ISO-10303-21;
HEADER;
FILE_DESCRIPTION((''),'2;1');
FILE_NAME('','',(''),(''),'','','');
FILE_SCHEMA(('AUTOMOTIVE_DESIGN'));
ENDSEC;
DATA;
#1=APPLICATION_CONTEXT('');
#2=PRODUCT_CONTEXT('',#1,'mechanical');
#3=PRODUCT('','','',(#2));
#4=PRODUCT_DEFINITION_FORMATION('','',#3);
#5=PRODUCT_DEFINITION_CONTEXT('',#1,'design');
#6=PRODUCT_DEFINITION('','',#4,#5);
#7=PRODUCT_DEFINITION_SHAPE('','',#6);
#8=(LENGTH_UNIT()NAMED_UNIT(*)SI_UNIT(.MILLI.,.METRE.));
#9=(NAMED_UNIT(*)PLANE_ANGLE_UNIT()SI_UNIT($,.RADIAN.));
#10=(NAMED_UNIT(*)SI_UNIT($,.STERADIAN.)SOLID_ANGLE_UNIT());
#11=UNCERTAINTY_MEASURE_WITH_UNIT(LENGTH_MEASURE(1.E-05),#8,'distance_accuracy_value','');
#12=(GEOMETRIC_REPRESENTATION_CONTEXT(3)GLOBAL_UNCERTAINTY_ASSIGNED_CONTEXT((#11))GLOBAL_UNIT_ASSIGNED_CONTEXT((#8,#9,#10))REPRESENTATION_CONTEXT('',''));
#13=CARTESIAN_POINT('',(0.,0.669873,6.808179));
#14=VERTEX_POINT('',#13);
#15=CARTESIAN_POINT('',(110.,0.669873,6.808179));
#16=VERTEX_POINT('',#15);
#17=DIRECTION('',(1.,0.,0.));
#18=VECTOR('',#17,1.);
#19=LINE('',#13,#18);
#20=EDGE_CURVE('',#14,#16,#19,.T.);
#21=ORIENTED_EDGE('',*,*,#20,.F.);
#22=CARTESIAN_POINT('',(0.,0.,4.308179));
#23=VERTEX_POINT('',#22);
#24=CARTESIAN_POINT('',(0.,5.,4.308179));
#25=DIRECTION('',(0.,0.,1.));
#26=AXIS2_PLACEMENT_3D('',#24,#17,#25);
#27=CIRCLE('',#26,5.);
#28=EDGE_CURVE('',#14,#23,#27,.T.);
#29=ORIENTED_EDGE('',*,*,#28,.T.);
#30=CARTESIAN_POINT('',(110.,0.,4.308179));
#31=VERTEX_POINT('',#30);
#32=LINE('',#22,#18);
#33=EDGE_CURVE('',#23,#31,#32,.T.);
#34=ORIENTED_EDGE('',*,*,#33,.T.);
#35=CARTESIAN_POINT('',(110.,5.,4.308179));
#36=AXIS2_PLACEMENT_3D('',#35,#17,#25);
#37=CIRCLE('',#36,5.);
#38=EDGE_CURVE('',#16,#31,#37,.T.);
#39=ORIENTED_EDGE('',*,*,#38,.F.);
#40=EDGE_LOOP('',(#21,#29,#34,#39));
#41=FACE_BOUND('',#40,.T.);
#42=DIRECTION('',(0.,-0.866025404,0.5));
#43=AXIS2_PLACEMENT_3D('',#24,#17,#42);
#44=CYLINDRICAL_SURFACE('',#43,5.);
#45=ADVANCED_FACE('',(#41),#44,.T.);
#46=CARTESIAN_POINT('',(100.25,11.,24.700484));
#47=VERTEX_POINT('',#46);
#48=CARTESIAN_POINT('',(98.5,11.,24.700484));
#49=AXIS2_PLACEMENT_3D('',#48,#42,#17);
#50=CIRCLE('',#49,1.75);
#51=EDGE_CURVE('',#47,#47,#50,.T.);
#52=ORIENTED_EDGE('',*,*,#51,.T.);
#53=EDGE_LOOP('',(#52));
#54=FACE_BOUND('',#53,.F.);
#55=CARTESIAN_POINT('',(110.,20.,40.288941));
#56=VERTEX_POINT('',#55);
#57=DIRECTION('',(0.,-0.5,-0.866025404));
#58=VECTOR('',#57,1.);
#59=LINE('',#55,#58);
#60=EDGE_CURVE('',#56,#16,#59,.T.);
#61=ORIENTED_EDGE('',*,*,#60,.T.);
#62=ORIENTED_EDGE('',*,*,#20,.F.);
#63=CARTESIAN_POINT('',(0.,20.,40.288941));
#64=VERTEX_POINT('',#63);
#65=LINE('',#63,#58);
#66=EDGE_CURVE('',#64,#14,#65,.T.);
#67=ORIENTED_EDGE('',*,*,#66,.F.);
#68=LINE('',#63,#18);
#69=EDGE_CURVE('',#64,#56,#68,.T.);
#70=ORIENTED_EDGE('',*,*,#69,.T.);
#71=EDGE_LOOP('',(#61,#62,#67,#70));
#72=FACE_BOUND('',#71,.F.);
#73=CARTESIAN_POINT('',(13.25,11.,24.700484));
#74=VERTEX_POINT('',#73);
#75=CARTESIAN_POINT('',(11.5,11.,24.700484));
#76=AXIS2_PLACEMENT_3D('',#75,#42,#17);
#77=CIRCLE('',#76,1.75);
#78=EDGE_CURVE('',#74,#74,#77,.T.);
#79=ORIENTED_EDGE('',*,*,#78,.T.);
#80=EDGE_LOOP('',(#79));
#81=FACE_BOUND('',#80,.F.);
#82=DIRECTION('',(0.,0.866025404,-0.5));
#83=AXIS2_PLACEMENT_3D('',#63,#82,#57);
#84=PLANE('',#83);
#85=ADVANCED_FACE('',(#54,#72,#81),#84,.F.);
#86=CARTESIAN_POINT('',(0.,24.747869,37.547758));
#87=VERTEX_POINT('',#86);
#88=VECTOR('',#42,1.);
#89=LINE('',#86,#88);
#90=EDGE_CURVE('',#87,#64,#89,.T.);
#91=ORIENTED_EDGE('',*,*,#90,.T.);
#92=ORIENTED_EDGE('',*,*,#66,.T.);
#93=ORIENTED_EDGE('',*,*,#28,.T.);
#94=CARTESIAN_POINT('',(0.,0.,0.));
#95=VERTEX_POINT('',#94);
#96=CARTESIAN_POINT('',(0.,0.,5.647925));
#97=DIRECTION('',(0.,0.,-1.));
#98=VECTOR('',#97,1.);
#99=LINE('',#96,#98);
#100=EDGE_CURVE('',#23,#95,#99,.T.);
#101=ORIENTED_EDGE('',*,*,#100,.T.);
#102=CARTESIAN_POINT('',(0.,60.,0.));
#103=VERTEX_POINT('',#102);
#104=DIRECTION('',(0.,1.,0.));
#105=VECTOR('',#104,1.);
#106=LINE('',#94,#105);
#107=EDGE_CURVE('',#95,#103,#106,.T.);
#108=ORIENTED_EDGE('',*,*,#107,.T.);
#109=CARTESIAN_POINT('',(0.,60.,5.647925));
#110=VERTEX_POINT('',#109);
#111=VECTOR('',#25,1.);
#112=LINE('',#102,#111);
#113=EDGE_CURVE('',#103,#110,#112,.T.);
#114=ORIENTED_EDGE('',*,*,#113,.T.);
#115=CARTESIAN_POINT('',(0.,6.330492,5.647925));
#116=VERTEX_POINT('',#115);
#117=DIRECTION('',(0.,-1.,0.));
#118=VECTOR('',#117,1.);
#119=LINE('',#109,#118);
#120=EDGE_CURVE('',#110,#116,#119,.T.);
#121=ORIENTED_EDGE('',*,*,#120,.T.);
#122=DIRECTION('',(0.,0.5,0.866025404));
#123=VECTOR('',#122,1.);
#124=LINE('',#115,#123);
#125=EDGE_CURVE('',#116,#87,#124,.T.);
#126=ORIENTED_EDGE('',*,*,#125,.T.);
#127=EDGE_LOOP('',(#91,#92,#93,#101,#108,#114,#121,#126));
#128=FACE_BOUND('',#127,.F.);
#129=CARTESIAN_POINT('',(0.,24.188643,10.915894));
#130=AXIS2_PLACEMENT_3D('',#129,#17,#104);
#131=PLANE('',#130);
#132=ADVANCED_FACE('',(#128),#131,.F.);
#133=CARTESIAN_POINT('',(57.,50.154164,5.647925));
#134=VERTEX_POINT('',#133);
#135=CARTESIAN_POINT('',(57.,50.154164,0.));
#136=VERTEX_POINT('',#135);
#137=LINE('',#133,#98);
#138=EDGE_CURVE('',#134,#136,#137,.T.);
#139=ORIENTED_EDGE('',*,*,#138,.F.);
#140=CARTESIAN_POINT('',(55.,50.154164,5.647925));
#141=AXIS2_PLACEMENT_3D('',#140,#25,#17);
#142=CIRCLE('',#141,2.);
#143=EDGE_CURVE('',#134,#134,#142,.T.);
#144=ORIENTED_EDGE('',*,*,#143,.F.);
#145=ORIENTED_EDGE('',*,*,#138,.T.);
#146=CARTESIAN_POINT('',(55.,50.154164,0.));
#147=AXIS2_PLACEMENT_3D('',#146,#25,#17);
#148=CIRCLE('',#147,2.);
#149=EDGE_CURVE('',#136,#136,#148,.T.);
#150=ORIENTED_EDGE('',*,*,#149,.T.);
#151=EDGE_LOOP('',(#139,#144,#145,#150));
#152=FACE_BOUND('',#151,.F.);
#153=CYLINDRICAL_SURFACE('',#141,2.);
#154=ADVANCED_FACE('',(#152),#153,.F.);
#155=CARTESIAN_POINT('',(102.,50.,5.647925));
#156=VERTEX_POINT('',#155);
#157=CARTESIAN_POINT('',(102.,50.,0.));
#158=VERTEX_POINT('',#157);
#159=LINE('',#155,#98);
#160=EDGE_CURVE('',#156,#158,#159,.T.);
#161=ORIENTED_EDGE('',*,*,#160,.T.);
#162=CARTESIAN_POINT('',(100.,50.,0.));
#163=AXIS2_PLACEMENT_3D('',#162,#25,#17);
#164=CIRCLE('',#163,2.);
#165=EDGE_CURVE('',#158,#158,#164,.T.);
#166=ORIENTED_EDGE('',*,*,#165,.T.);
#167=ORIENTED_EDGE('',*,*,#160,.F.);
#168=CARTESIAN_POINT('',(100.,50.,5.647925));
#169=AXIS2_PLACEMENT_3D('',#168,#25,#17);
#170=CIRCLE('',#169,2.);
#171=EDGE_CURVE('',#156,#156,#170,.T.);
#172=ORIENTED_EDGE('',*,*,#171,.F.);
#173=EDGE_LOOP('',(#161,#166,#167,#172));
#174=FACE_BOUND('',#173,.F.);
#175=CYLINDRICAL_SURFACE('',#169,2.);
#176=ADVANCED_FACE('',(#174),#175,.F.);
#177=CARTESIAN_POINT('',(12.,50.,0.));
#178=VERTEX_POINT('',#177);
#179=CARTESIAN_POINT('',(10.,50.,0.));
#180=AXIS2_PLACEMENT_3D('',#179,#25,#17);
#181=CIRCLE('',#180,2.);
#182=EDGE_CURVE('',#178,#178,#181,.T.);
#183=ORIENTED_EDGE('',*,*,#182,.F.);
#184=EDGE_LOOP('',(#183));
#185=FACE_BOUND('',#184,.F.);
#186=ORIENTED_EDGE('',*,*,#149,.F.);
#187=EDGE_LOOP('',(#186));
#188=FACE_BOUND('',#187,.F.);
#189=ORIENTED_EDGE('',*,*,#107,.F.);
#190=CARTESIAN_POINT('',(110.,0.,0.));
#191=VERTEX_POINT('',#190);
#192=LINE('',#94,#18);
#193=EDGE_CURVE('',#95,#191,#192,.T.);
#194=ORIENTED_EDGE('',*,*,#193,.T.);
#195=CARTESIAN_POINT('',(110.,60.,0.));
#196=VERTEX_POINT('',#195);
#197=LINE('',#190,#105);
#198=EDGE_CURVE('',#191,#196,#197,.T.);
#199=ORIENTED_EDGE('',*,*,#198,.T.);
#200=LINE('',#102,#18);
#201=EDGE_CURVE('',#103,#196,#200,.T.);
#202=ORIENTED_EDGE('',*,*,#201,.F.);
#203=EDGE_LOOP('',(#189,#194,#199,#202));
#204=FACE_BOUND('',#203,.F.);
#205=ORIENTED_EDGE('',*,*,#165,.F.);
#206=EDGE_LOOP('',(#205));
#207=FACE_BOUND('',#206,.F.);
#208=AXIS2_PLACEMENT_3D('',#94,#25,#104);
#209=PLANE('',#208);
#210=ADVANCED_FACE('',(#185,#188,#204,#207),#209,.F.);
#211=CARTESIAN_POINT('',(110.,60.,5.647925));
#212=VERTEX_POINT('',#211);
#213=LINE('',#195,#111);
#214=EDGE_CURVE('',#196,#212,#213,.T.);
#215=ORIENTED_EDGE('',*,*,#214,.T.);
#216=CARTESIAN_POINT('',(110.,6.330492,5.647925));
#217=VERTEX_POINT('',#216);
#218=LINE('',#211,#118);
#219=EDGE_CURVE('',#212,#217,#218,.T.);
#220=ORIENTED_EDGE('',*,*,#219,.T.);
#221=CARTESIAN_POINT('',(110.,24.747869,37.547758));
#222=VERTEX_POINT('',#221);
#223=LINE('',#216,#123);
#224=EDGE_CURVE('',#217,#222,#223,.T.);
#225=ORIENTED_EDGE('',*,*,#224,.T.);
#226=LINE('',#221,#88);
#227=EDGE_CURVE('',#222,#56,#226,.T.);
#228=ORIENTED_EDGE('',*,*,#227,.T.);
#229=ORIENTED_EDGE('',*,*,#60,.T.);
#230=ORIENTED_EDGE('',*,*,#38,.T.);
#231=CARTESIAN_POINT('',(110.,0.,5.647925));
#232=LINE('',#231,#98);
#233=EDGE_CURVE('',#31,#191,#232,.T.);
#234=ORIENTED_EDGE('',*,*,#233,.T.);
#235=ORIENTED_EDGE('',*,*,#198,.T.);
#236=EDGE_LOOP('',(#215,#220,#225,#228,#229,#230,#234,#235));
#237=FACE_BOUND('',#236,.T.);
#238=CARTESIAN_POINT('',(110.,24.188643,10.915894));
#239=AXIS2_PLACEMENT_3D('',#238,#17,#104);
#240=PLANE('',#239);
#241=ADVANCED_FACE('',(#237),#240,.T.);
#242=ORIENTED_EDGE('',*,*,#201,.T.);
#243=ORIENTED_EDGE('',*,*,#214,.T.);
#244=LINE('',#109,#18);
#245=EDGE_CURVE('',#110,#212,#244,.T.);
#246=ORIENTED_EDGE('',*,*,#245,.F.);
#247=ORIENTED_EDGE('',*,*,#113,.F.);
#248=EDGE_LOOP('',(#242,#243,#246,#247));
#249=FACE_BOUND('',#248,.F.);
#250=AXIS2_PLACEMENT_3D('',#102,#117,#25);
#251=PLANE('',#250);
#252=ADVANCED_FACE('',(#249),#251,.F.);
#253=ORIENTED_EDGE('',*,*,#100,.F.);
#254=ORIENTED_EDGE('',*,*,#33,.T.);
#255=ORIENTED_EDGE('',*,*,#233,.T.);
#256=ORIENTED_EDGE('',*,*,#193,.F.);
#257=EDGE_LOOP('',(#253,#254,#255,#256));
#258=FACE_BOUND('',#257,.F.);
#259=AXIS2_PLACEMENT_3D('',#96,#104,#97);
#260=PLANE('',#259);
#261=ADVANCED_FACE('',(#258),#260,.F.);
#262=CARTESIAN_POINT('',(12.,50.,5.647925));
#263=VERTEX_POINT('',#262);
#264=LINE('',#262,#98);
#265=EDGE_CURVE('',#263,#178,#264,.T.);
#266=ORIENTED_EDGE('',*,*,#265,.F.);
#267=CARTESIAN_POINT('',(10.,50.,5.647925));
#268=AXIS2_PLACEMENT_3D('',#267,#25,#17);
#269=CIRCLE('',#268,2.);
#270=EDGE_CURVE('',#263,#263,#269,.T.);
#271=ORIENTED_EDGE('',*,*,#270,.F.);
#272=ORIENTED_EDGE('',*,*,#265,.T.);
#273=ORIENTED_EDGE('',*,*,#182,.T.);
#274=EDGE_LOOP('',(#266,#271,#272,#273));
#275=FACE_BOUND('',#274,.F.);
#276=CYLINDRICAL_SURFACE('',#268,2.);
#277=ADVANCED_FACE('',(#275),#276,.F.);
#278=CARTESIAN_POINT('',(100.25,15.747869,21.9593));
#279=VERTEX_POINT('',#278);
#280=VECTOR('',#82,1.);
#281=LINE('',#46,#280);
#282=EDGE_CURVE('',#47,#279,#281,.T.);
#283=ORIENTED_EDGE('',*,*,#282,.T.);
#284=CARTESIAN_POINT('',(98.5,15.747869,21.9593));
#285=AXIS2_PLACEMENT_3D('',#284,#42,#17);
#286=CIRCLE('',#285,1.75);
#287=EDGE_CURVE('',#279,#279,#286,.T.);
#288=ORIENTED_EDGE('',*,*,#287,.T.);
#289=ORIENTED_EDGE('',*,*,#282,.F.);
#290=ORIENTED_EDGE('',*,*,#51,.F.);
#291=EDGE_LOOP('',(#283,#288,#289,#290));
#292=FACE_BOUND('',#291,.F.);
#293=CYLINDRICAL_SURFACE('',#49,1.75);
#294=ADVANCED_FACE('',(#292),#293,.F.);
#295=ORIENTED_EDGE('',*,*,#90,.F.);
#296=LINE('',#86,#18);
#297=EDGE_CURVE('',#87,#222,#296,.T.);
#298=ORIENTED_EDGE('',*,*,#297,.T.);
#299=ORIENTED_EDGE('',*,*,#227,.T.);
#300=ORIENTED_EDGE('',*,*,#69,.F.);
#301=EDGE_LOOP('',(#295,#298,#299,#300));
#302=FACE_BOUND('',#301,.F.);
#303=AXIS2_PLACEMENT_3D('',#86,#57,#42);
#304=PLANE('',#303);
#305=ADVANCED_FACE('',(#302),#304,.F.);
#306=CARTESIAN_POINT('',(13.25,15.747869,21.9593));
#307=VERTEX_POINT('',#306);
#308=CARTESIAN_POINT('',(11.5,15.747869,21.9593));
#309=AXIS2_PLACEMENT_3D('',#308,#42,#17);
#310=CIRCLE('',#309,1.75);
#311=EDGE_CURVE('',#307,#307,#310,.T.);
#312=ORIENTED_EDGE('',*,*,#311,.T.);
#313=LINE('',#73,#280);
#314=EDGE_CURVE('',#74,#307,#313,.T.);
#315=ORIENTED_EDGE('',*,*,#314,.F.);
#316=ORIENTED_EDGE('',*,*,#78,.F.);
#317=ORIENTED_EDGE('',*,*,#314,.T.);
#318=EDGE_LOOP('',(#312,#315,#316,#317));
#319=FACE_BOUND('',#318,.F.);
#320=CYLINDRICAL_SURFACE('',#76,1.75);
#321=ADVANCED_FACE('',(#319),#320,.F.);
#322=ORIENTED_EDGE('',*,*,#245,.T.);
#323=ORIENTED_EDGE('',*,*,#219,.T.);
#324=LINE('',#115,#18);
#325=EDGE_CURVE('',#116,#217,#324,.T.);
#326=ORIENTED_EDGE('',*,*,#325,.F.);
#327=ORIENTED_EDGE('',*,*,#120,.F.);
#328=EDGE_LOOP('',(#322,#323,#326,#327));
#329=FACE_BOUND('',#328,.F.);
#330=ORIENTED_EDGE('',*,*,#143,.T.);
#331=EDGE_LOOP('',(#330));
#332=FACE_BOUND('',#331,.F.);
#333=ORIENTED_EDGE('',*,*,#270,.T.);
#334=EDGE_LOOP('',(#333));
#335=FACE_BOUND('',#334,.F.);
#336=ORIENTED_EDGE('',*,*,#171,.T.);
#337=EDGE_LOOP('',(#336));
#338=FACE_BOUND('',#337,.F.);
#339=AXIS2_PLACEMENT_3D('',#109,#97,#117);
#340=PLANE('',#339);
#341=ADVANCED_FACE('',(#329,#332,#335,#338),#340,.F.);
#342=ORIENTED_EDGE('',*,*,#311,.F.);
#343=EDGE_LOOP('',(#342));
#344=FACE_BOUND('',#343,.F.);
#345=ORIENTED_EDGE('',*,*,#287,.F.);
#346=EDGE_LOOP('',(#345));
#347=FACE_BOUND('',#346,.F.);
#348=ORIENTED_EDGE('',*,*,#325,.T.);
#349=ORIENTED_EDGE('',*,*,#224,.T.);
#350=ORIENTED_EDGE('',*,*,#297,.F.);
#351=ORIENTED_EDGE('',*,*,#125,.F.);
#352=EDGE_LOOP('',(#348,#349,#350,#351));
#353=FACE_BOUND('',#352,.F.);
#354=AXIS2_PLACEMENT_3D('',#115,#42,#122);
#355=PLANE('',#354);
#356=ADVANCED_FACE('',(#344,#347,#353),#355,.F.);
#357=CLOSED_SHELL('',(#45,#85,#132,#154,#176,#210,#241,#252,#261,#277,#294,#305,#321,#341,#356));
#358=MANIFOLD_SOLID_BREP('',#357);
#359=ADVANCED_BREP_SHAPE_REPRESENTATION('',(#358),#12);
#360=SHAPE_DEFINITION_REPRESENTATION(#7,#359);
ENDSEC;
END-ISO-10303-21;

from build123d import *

# Parameters (mm, degrees)
F1_DEPTH = 110
F2_R     = 1.75
F3_DEPTH = 8
F4_R     = 2
F5_DEPTH = 10
F6_R     = 5


with BuildPart() as f1:
    # F0 (on Right) → F1 (new body)
    with BuildSketch(Plane.YZ):
        Polygon((60, 5.6479252494), (6.3304924375, 5.6479252494), (24.7478693281, 37.5477577661), (20, 40.2889414007), (0, 5.6479252494), (0, 0), (60, 0), align=None)
    extrude(amount=F1_DEPTH)

    # F2 (on face) → F3 (cut)
    with BuildSketch(Plane(origin=(0, -2.4456233723, 1.4119813123), x_dir=(1, 0, 0), z_dir=(0, -0.8660254038, 0.5))):
        with Locations((11.5, 26.8912467446)):
            Circle(F2_R)
        with Locations((98.5, 26.8912467446)):
            Circle(F2_R)
    extrude(amount=-F3_DEPTH, mode=Mode.SUBTRACT)

    # F4 (on face) → F5 (cut)
    with BuildSketch(Plane.XY.offset(5.6479252494)):
        with Locations((100, 50)):
            Circle(F4_R)
        with Locations((55, 50.1541644335)):
            Circle(F4_R)
        with Locations((10, 50)):
            Circle(F4_R)
    extrude(amount=-F5_DEPTH, mode=Mode.SUBTRACT)

    # F6
    f6_edges = [f1.edges().sort_by_distance(p)[0] for p in [
        (55, 0, 5.647925),
    ]]
    fillet(f6_edges, radius=F6_R)


solid = f1.part
